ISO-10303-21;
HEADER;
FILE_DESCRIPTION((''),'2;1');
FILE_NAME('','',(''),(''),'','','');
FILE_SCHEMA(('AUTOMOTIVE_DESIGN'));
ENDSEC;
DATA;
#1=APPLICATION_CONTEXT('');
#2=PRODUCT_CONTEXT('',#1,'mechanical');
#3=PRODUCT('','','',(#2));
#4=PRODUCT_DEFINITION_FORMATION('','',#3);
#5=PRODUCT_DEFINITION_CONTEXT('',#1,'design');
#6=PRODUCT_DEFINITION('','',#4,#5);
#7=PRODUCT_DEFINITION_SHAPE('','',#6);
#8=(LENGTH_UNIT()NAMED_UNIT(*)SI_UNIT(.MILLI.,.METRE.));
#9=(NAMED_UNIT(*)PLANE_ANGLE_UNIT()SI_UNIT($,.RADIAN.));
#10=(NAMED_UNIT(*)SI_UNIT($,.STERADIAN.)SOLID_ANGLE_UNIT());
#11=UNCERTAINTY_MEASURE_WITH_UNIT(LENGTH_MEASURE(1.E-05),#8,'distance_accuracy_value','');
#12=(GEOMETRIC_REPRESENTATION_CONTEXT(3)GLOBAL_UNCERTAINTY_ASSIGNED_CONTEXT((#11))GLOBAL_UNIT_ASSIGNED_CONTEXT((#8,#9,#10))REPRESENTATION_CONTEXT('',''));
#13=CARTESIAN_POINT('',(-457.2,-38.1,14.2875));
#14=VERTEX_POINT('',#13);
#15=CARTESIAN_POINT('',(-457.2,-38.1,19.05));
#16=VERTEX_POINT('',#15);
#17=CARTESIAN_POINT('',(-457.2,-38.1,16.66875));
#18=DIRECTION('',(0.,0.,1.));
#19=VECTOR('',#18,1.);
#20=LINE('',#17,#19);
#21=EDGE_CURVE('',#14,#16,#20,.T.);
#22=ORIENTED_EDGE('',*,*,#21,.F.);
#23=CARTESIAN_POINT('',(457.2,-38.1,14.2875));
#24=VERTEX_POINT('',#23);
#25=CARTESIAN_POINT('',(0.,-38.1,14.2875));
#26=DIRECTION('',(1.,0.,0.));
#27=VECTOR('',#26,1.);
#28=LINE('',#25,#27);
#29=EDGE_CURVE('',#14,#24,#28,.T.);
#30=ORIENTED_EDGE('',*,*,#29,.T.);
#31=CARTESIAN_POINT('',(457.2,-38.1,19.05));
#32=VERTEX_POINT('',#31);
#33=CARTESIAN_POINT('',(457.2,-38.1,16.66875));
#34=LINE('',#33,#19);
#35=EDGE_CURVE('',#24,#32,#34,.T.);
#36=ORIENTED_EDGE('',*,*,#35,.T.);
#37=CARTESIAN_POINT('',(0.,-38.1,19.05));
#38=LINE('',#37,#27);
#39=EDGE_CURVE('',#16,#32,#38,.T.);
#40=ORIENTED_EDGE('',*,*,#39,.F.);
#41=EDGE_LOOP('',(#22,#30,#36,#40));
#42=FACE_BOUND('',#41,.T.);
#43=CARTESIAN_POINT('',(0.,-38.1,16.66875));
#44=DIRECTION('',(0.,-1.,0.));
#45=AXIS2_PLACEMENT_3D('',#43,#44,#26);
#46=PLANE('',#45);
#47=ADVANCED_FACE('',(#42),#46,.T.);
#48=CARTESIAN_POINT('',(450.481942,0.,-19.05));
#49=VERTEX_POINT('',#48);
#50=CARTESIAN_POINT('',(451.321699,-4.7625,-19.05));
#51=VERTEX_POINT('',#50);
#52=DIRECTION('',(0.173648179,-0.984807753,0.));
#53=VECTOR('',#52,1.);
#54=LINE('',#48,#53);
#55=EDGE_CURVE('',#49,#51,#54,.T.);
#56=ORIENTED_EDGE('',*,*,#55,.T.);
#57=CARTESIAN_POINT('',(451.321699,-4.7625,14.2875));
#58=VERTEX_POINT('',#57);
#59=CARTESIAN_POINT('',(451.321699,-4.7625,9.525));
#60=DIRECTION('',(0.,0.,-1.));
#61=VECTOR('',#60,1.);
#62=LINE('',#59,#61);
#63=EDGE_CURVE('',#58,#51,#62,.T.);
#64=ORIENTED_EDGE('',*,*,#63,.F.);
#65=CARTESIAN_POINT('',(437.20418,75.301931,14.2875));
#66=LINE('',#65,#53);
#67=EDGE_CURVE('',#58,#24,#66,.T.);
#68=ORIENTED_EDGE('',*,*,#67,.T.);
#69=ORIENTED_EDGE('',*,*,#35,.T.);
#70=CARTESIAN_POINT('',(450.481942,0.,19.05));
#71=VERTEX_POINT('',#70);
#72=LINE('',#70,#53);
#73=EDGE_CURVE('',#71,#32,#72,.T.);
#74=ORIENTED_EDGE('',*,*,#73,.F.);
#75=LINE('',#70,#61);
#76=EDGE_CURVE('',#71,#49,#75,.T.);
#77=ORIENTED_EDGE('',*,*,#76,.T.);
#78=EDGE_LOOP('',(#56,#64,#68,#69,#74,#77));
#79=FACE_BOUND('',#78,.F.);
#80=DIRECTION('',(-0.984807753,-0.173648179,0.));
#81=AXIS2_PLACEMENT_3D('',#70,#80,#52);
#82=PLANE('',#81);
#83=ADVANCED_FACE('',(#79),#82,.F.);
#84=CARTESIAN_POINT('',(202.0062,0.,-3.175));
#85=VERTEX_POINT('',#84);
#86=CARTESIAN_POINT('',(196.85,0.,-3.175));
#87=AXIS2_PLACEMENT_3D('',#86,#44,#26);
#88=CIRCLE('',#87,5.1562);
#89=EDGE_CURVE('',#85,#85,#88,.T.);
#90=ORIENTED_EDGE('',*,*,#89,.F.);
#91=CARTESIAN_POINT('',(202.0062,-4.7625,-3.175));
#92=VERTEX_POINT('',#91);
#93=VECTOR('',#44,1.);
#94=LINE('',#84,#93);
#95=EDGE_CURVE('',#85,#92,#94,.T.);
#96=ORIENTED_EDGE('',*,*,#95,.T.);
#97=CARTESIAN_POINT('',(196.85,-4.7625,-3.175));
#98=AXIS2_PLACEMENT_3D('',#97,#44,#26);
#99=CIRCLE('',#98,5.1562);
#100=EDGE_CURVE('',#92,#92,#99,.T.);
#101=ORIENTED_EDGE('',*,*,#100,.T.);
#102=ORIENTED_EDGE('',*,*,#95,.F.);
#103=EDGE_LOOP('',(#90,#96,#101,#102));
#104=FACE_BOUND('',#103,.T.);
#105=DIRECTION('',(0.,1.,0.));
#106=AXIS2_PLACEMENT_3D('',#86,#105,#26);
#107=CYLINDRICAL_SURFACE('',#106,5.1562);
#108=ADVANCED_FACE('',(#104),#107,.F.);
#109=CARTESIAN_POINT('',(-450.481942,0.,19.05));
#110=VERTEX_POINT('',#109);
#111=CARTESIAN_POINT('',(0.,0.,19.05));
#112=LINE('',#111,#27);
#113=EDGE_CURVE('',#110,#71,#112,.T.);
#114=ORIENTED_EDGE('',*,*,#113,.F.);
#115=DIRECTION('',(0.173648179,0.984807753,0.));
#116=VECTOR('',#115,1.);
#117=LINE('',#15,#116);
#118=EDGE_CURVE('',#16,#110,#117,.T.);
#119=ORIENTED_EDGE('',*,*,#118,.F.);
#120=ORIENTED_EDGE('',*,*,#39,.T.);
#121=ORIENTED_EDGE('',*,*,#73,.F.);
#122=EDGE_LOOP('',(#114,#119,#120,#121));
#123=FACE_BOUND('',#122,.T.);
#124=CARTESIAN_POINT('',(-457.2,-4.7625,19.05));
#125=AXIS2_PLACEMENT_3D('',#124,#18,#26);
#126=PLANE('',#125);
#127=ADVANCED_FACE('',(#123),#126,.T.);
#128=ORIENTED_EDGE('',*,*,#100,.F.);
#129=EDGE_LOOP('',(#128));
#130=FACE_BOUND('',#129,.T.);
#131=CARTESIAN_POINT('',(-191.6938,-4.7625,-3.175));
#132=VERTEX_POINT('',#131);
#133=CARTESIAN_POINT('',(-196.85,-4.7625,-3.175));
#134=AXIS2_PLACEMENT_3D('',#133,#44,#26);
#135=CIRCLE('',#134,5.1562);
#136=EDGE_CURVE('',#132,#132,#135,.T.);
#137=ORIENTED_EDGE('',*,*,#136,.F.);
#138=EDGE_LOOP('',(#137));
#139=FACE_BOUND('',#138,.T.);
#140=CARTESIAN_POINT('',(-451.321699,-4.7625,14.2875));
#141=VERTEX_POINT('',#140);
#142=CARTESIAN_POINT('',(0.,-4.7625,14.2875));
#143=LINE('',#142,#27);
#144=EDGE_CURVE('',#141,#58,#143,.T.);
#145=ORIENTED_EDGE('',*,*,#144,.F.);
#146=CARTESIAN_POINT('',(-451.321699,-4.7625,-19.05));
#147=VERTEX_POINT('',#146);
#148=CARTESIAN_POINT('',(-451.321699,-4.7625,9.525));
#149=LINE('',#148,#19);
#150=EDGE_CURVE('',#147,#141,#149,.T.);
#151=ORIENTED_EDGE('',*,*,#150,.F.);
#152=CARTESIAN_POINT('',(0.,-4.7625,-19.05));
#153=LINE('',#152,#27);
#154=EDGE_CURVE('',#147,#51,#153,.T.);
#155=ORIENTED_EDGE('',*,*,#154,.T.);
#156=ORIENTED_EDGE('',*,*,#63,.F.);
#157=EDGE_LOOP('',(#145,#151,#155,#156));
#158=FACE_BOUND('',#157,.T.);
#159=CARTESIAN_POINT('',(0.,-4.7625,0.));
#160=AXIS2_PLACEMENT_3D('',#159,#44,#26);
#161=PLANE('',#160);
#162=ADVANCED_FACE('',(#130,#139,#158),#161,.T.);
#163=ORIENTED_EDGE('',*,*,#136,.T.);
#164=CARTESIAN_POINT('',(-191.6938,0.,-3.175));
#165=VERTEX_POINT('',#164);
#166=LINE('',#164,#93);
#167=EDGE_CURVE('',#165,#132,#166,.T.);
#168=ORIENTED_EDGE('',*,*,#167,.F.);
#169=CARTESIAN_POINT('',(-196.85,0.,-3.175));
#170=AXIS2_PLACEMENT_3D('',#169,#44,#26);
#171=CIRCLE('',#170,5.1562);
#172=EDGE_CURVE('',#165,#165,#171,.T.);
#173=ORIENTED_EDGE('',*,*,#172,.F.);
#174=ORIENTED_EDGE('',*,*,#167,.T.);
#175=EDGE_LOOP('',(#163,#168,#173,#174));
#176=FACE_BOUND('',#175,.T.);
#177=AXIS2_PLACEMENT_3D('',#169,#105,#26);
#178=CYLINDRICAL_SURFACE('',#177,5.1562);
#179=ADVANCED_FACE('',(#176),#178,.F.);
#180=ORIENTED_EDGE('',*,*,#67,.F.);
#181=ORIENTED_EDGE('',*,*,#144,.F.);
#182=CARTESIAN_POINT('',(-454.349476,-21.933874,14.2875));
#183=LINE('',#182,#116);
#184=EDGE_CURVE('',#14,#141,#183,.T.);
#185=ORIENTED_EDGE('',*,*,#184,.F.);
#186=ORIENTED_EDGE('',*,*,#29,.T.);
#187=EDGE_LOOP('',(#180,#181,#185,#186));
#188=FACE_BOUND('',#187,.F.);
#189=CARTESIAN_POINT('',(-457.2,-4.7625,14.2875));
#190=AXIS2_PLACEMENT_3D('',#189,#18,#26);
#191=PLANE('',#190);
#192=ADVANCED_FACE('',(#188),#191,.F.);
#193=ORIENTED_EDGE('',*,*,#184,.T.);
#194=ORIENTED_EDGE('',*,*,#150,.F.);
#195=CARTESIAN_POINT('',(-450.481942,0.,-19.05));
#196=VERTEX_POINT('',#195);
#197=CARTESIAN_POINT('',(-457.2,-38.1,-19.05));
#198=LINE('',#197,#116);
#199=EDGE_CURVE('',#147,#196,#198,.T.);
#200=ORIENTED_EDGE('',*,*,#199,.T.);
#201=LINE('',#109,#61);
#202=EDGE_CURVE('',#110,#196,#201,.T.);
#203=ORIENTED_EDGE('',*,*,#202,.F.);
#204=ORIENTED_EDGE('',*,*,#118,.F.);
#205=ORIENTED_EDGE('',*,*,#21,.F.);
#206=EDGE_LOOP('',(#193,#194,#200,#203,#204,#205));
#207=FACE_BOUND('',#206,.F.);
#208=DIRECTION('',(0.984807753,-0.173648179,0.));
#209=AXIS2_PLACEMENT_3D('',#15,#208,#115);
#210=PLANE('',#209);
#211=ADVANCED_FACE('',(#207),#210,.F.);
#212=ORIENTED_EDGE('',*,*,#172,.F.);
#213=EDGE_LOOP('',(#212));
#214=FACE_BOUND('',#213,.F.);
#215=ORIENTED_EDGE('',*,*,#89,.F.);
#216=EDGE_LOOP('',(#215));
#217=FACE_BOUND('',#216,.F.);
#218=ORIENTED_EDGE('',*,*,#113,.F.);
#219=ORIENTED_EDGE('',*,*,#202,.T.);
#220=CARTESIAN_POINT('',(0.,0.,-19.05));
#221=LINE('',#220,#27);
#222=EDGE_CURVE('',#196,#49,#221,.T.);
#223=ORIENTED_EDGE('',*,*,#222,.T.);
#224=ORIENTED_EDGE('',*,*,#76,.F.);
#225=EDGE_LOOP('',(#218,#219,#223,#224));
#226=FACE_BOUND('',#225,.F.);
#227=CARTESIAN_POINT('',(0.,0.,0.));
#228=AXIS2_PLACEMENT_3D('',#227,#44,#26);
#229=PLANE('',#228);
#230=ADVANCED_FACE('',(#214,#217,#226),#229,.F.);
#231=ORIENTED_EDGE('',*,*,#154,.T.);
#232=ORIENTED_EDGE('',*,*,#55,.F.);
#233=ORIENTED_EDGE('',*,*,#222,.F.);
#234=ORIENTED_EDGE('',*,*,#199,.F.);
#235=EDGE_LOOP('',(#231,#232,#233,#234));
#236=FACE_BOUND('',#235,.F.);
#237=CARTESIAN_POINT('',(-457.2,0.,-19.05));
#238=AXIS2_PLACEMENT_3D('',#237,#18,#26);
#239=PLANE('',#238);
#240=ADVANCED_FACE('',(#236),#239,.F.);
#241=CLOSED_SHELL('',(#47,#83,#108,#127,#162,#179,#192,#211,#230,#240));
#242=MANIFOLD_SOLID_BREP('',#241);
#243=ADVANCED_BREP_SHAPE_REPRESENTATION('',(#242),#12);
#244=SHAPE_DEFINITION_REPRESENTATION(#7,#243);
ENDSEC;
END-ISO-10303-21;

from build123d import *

# Parameters (mm, degrees)
F0_W     = 914.4
F0_H     = 38.1
F0_R     = 5.1562
F1_DEPTH = 4.7625
F2_W     = 914.4
F2_H     = 4.7625
F3_DEPTH = 33.3375
F5_DEPTH = 38.1


with BuildPart() as f1:
    # F0 (on Front) → F1 (new body)
    with BuildSketch(Plane.XZ):
        Rectangle(F0_W, F0_H)
        with Locations((-196.85, -3.175)):
            Circle(F0_R, mode=Mode.SUBTRACT)
        with Locations((196.85, -3.175)):
            Circle(F0_R, mode=Mode.SUBTRACT)
    extrude(amount=F1_DEPTH)

    # F2 (on face) → F3 (join)
    with BuildSketch(Plane.XZ.offset(4.7625)):
        with Locations((0, 16.66875)):
            Rectangle(F2_W, F2_H)
    extrude(amount=F3_DEPTH)

    # F4 (on face) → F5 (cut)
    with BuildSketch(Plane.XY.offset(19.05)):
        Polygon((450.481942, 0), (457.2, -38.1), (457.2, 0), align=None)
        Polygon((-457.2, 0), (-457.2, -38.1), (-450.481942, 0), align=None)
    extrude(amount=-F5_DEPTH, mode=Mode.SUBTRACT)


solid = f1.part
